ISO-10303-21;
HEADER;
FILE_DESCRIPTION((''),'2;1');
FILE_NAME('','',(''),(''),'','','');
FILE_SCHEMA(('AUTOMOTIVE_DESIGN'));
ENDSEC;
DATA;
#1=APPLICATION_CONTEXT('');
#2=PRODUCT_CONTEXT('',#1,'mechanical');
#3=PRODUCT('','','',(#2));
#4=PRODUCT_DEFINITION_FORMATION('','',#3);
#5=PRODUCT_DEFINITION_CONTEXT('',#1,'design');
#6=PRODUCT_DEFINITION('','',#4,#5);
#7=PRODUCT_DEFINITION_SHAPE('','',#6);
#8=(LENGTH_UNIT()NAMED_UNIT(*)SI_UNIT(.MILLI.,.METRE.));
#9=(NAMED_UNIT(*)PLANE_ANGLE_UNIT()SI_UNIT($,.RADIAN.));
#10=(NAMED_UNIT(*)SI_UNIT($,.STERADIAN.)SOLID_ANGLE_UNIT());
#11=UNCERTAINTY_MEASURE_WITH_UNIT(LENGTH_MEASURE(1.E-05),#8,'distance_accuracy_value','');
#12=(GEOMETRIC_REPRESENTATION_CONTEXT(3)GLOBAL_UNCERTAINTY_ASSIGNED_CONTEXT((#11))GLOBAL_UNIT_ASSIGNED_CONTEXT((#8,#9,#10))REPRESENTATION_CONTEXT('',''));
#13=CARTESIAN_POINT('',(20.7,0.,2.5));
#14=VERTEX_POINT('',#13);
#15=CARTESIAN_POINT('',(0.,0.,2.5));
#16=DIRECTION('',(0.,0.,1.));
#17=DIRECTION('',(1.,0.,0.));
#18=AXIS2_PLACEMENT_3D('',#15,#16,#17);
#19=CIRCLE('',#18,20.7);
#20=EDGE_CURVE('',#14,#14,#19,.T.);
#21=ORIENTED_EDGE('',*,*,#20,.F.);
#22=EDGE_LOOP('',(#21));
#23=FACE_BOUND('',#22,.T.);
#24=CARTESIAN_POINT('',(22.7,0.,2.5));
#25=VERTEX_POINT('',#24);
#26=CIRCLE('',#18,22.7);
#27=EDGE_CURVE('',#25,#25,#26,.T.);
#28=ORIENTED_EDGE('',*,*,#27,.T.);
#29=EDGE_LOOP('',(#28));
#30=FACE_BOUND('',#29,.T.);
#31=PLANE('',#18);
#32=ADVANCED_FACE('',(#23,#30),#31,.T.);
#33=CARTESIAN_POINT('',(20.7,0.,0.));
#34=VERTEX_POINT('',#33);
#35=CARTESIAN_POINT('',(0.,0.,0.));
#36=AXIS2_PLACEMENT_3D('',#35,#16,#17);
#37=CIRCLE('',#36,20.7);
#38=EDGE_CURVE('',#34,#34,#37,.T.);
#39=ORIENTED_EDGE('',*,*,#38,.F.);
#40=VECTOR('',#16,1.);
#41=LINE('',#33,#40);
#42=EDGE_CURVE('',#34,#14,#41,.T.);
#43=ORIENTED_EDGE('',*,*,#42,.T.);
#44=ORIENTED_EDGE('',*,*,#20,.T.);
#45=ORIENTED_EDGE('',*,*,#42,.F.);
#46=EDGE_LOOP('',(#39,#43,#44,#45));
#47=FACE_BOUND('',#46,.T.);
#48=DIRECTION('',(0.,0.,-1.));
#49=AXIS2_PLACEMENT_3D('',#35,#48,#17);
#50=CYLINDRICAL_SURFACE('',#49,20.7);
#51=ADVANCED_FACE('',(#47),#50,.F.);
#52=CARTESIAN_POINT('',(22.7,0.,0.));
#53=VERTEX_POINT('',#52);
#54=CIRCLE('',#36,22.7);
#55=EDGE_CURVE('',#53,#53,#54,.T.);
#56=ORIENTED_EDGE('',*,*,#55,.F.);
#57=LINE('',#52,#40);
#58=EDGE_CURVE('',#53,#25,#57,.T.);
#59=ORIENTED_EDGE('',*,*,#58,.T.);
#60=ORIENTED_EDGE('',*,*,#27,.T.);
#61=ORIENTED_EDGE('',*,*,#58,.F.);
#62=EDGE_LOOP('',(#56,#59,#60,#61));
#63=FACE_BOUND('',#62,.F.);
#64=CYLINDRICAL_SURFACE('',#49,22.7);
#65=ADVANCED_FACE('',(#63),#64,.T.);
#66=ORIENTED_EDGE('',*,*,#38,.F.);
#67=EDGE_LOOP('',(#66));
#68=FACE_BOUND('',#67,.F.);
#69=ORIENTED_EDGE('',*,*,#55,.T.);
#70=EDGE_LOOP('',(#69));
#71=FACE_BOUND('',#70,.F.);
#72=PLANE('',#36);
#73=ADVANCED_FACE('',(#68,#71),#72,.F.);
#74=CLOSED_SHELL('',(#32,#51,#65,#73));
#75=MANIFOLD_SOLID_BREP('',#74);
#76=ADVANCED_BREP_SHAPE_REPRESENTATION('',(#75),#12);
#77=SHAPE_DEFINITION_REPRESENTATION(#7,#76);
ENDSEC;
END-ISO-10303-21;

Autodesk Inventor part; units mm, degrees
ref_plane "YZ Plane" through (0, 0, 0) normal (1, 0, 0) x (0, 1, 0)
ref_plane "XZ Plane" through (0, 0, 0) normal (0, 1, 0) x (-1, 0, 0)
ref_plane "XY Plane" through (0, 0, 0) normal (0, 0, 1) x (1, 0, 0)
sketch "スケッチ1" plane through (0, 0, 0) normal (0, 0, 1) x (1, 0, 0)
  circle A0 centre (0, 0) radius 20.7
  circle A1 centre (0, 0) radius 22.7
  dimension "d0" = 41.4
  dimension "d1" = 45.4
extrude "押し出し1" add sketch "スケッチ1" along normal blind 2.5
properties part number "軸受け用ワッシャD_ダブルスラスト用(t3_ジュラコン)" material "アセタール樹脂、黒"
